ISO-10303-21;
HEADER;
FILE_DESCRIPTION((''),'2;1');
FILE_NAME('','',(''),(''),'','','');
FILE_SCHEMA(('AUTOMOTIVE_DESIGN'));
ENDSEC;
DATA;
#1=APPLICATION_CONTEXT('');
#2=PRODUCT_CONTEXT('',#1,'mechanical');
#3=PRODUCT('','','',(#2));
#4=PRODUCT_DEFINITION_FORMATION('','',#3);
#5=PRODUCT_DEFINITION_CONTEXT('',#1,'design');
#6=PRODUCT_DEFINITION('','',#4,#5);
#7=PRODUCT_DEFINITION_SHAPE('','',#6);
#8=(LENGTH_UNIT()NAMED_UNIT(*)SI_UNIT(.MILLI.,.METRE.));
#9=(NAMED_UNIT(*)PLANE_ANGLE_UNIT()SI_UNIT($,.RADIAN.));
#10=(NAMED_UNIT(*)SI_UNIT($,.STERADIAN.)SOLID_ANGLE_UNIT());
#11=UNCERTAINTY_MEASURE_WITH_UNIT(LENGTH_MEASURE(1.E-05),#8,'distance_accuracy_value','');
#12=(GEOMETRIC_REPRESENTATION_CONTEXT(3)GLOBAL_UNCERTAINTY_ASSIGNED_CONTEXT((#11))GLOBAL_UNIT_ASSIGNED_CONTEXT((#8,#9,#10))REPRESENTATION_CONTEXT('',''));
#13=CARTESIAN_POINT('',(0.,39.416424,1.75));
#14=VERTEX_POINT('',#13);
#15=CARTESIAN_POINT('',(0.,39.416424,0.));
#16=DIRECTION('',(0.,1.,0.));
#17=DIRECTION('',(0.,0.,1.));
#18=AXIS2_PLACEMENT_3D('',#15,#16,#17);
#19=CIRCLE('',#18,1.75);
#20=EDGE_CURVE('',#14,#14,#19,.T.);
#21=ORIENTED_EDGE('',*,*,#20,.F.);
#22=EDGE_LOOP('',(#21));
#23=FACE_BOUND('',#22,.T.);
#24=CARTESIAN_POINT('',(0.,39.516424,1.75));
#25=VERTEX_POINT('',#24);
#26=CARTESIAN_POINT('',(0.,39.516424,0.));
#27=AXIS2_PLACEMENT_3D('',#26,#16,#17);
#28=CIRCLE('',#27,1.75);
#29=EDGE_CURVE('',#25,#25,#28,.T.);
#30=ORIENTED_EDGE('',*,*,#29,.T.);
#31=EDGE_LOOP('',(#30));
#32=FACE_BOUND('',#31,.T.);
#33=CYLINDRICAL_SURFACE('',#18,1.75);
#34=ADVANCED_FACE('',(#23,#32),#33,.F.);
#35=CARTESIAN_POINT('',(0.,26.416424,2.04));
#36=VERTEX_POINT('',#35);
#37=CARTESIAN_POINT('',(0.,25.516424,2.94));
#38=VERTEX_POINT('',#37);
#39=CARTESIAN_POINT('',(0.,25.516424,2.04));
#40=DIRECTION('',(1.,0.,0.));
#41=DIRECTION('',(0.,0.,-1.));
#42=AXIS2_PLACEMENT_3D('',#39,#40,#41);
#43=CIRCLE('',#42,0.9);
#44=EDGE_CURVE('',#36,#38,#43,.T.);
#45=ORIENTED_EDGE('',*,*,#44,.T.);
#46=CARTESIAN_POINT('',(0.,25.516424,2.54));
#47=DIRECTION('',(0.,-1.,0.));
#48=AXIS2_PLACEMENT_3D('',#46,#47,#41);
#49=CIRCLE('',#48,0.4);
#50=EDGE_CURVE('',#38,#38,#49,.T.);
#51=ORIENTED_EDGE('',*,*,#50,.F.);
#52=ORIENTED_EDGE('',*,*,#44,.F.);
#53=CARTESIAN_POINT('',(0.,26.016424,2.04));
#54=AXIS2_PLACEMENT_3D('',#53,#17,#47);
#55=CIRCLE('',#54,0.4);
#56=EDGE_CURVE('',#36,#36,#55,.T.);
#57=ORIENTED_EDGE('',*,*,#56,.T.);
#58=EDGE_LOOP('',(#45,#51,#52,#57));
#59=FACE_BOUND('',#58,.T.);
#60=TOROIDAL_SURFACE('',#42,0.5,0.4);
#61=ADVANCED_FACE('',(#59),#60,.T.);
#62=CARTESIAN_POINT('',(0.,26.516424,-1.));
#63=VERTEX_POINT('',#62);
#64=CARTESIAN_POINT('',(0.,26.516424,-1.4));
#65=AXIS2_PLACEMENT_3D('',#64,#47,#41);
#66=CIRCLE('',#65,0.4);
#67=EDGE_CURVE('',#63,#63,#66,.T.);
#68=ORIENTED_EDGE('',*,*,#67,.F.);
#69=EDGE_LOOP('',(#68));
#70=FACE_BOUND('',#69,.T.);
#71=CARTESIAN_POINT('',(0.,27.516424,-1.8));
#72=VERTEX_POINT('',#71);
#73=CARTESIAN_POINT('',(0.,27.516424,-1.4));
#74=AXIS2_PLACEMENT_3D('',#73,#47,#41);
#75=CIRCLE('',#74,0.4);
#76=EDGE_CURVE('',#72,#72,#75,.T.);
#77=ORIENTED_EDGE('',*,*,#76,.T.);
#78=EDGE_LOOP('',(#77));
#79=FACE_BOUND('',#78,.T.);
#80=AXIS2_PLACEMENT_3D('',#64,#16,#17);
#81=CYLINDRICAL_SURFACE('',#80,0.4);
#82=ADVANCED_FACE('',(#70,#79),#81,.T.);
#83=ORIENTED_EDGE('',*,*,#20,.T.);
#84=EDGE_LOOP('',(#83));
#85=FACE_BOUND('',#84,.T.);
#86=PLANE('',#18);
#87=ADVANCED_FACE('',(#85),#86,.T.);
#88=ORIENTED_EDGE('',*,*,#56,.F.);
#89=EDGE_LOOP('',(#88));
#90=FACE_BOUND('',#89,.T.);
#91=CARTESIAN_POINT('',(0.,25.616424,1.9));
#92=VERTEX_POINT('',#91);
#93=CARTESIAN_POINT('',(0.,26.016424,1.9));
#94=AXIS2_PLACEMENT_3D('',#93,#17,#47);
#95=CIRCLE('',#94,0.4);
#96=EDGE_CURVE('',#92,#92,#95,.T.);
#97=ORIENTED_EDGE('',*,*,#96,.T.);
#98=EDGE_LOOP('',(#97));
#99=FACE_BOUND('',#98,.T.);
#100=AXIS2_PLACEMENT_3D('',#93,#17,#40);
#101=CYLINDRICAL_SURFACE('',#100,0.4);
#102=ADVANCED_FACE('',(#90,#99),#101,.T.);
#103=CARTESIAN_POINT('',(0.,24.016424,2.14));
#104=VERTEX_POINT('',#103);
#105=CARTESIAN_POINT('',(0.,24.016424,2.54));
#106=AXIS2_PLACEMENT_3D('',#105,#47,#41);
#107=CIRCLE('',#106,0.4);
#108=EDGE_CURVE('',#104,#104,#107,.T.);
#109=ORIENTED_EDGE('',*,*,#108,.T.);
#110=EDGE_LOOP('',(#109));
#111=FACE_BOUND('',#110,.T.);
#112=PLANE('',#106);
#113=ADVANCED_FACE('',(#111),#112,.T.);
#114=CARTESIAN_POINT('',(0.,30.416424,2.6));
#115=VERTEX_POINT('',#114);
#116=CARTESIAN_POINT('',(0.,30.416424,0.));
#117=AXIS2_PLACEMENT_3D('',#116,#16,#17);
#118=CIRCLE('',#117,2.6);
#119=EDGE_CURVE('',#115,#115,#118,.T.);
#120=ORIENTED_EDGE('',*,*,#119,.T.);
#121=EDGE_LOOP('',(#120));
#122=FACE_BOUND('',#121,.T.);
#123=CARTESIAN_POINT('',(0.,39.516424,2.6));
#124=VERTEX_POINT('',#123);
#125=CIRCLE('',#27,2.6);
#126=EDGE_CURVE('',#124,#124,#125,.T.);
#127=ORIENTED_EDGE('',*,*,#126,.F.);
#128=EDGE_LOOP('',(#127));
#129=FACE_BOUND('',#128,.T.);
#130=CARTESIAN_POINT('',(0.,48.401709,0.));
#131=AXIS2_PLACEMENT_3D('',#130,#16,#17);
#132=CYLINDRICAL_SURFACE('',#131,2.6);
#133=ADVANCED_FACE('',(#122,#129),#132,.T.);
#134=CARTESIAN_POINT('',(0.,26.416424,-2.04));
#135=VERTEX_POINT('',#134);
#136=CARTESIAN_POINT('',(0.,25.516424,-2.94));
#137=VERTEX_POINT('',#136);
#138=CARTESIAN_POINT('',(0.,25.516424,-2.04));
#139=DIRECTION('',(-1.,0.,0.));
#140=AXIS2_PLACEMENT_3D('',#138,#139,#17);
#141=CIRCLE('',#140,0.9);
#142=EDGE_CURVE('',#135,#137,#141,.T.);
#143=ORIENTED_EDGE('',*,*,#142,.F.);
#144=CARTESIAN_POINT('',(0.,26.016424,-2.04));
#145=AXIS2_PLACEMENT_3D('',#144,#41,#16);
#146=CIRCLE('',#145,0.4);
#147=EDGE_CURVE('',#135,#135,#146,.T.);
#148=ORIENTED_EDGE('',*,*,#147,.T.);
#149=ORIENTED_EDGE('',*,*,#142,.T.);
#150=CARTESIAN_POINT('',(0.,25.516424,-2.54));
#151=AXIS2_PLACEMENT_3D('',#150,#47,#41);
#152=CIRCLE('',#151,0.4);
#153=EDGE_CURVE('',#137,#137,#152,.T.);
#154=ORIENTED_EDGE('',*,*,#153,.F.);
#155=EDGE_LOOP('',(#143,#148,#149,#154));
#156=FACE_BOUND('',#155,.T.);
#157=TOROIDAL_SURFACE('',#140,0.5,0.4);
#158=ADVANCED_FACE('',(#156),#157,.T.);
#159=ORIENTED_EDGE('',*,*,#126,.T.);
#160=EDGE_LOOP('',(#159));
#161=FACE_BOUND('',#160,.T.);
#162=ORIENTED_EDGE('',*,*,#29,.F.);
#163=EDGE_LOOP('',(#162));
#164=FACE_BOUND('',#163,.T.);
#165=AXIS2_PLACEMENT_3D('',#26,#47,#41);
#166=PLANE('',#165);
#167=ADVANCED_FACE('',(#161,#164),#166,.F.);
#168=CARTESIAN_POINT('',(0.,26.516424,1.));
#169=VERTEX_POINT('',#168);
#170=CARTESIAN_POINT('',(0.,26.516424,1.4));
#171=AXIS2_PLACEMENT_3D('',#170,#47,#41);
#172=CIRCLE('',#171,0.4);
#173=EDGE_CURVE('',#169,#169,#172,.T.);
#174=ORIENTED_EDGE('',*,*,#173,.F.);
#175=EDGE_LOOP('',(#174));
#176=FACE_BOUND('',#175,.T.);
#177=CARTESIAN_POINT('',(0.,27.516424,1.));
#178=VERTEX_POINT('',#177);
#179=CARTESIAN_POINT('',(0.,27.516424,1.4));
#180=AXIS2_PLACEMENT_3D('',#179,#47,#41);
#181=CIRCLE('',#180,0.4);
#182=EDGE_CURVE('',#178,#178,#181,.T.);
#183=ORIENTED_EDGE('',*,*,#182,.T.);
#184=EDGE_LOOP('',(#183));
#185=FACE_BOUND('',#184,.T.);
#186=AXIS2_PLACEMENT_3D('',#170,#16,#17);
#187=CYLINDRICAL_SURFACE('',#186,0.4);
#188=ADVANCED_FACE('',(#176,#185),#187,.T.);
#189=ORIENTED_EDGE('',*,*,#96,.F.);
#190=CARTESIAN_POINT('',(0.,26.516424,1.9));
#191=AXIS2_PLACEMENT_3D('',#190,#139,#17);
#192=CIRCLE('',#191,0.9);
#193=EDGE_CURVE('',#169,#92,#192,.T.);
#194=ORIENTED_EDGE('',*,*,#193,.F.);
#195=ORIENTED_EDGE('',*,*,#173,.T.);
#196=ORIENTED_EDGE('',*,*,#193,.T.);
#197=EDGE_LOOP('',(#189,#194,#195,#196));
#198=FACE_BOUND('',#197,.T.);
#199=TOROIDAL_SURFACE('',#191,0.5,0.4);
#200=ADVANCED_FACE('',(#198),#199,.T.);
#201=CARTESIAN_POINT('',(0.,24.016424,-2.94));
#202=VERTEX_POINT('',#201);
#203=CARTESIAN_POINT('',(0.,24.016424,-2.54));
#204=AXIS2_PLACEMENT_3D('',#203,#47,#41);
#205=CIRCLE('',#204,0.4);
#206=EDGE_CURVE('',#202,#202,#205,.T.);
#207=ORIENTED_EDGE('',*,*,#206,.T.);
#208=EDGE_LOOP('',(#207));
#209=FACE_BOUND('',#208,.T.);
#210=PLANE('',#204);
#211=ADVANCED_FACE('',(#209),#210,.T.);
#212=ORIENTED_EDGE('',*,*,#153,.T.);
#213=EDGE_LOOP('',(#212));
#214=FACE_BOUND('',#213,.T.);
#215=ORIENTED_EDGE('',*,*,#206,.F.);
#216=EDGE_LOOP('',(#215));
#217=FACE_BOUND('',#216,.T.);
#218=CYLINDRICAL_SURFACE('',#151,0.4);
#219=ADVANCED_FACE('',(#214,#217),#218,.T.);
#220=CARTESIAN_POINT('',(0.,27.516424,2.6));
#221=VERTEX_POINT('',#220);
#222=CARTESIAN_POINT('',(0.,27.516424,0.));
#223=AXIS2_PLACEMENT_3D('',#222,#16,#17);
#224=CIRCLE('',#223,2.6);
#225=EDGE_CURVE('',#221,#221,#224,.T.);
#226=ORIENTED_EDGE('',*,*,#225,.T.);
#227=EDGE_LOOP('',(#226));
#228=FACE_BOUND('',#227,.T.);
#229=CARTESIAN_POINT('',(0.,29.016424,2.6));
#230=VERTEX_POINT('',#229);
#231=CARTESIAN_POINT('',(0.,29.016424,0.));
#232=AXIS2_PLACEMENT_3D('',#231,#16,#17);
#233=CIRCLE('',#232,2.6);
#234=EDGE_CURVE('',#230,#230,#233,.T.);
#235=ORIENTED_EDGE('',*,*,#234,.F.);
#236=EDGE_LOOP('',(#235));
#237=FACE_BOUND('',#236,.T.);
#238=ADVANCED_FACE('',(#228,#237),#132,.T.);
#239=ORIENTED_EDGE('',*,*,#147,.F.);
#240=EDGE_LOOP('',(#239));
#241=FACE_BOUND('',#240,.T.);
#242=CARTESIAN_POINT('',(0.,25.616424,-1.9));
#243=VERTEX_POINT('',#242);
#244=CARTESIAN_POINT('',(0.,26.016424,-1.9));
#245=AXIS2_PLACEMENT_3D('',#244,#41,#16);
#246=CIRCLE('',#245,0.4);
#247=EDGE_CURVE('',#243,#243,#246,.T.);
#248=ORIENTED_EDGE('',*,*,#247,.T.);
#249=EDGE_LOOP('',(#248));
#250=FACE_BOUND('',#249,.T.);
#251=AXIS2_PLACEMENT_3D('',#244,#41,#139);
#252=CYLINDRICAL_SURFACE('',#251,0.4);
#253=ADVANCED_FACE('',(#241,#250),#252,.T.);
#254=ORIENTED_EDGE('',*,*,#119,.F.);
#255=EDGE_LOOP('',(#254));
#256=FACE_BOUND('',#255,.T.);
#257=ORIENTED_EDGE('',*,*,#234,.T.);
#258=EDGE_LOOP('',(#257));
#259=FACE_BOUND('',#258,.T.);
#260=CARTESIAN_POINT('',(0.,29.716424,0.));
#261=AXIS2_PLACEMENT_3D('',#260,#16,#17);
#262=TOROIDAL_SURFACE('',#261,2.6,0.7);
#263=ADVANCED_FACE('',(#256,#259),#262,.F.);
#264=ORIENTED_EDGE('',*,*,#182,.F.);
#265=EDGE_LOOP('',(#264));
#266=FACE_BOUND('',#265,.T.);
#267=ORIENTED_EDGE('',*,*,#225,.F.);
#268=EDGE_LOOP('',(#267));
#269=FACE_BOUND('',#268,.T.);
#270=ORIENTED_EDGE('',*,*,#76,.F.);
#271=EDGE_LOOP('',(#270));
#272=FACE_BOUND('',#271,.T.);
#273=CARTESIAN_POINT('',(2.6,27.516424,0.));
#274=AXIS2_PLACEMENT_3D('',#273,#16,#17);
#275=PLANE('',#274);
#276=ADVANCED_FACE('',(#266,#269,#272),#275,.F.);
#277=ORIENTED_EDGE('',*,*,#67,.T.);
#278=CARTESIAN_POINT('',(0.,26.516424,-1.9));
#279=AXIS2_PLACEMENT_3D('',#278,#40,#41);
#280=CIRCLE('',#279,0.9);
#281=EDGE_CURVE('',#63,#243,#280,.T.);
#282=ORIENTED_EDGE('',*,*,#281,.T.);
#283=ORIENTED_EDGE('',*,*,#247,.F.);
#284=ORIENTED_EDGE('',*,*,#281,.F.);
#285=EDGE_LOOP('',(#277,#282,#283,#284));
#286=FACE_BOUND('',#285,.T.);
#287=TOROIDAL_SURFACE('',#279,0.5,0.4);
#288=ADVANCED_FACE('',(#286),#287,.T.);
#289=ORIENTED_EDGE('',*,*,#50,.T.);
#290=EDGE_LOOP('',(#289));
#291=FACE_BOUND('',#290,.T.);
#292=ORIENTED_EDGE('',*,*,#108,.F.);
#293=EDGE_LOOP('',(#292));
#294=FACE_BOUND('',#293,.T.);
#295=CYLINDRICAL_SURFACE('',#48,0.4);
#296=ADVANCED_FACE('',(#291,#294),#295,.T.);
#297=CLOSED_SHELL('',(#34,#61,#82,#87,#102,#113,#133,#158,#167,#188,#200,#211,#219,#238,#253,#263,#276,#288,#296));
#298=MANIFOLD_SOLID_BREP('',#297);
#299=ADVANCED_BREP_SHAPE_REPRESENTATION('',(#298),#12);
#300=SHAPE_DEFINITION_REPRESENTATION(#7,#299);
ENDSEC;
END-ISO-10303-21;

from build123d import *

# Parameters (mm, degrees)
ESQUISSE2_R             = 1.75
ENL_V_MAT_EXTRU_1_DEPTH = 0.1
ESQUISSE3_R             = 0.4
ESQUISSE6_R             = 0.4


with BuildPart() as part:
    # Esquisse1 → Révolution1 (revolve)
    with BuildSketch(Plane.XY, mode=Mode.PRIVATE) as r_volution1_sk:
        with BuildLine():
            Line((0, 39.516423663), (2.6, 39.516423663))
            Line((2.6, 39.516423663), (2.6, 30.416423663))
            ThreePointArc((2.6, 30.416423663), (1.9, 29.716423663), (2.6, 29.016423663))
            Line((2.6, 29.016423663), (2.6, 27.516423663))
            Line((2.6, 27.516423663), (0, 27.516423663))
            Line((0, 27.516423663), (0, 39.516423663))
        make_face()
    revolve(r_volution1_sk.sketch.rotate(Axis((0, 48.401709402, 0), (0, -1, 0)), 90), axis=Axis((0, 48.401709402, 0), (0, -1, 0)))  # turned: the seam where the file's is

    # Esquisse2 → Enlèv. mat.-Extru.1 (cut)
    with BuildSketch(Plane(origin=(0, 39.516423663, 0), x_dir=(-1, 0, 0), z_dir=(0, 1, 0))):
        with Locations(Location((0, 0, 0), (0, 0, 90))):  # turned: the seam where the file's is
            Circle(ESQUISSE2_R)
    extrude(amount=-ENL_V_MAT_EXTRU_1_DEPTH, mode=Mode.SUBTRACT)

    # Balayage2: sweep along a path in Esquisse4
    with BuildLine(Plane(origin=(0, 0, 0), x_dir=(0, 0, -1), z_dir=(1, 0, 0))) as balayage2_path:
        Line((-1.4, 27.516423663), (-1.4, 26.516423663))
        ThreePointArc((-1.4, 26.516423663), (-1.546446609, 26.162870273), (-1.9, 26.016423663))
        Line((-1.9, 26.016423663), (-2.04, 26.016423663))
        ThreePointArc((-2.04, 26.016423663), (-2.393553391, 25.869977054), (-2.54, 25.516423663))
        Line((-2.54, 25.516423663), (-2.54, 24.016423663))
    # Esquisse3 → Balayage2 (sweep)
    with BuildSketch(Plane.XZ.offset(-27.516423663)):
        with Locations((0, 1.4)):
            Circle(ESQUISSE3_R)
    sweep(path=balayage2_path.line)

    # Balayage3: sweep along a path in Esquisse7
    with BuildLine(Plane(origin=(0, 0, 0), x_dir=(0, 0, -1), z_dir=(1, 0, 0))) as balayage3_path:
        Line((1.4, 27.516423663), (1.4, 26.516423663))
        ThreePointArc((1.4, 26.516423663), (1.546446609, 26.162870273), (1.9, 26.016423663))
        Line((1.9, 26.016423663), (2.04, 26.016423663))
        ThreePointArc((2.04, 26.016423663), (2.393553391, 25.869977054), (2.54, 25.516423663))
        Line((2.54, 25.516423663), (2.54, 24.016423663))
    # Esquisse6 → Balayage3 (sweep)
    with BuildSketch(Plane.XZ.offset(-27.516423663)):
        with Locations((0, -1.4)):
            Circle(ESQUISSE6_R)
    sweep(path=balayage3_path.line)


solid = part.part
